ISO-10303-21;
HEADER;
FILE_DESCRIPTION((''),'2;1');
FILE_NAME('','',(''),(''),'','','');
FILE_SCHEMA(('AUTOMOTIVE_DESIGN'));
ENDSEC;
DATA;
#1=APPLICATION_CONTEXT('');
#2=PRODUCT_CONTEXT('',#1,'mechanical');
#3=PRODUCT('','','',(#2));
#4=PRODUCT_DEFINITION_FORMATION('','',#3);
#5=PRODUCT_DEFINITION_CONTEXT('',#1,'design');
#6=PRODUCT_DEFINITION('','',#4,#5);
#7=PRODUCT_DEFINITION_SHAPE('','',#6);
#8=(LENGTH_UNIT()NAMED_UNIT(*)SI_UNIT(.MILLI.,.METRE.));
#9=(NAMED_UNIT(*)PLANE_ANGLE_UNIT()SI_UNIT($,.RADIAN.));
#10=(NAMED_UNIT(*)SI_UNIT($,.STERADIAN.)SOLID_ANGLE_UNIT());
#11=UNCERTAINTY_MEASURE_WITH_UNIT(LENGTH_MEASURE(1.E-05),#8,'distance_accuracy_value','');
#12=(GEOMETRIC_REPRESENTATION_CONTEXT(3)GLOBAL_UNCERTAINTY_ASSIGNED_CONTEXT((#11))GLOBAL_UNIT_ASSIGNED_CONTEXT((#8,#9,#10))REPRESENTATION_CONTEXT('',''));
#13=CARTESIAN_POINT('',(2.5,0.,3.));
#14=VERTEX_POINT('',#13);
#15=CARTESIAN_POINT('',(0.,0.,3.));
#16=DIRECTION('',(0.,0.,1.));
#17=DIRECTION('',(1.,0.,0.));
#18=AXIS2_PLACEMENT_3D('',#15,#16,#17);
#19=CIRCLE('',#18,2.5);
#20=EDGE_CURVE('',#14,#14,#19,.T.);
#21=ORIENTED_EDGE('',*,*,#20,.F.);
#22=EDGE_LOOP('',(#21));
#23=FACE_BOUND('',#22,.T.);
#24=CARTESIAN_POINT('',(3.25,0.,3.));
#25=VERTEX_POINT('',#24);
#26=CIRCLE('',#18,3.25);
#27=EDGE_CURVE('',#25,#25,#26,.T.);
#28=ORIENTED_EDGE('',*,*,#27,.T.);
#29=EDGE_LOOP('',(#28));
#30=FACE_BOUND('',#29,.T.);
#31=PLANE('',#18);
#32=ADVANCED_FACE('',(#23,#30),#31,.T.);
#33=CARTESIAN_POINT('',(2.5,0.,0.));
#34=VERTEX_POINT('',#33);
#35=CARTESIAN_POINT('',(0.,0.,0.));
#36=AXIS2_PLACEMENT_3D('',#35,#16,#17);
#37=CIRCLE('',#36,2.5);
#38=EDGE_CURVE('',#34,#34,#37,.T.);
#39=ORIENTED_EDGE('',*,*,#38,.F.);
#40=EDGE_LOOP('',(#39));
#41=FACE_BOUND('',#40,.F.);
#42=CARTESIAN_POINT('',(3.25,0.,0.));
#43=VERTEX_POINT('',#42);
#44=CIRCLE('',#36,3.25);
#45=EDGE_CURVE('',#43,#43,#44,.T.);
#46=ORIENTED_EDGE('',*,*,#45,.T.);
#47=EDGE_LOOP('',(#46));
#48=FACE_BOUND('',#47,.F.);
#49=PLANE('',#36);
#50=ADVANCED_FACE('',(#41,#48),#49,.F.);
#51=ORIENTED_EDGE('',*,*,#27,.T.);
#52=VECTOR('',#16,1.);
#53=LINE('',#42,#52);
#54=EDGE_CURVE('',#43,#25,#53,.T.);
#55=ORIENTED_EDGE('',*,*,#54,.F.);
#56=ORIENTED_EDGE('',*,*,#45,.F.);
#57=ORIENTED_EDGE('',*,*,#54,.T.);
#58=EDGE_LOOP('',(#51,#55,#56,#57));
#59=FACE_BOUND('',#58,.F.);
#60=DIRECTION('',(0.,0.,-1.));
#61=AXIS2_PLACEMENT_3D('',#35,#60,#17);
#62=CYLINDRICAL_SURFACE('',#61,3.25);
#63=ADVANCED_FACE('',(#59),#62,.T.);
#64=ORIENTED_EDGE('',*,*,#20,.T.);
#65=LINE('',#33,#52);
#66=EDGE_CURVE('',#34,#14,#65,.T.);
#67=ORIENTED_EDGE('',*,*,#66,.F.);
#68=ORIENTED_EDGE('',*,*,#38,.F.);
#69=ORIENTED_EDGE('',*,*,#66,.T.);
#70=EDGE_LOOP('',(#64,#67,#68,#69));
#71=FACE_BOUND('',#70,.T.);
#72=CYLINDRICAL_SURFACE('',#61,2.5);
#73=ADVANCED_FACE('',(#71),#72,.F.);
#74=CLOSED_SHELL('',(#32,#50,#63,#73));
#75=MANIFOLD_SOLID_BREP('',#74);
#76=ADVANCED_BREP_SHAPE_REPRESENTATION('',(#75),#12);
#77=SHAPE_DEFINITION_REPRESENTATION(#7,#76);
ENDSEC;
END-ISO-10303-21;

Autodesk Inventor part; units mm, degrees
ref_plane "YZ Plane" through (0, 0, 0) normal (1, 0, 0) x (0, 1, 0)
ref_plane "XZ Plane" through (0, 0, 0) normal (0, 1, 0) x (-1, 0, 0)
ref_plane "XY Plane" through (0, 0, 0) normal (0, 0, 1) x (1, 0, 0)
sketch "스케치1" plane through (0, 0, 0) normal (0, 0, 1) x (1, 0, 0)
  circle A0 centre (0, 0) radius 2.5
  circle A1 centre (0, 0) radius 3.25
  dimension "d0" = 5
  dimension "d1" = 6.5
extrude "돌출1" add sketch "스케치1" along normal blind 3
properties part number "감속기어1 - 4파이 4mm와셔"
